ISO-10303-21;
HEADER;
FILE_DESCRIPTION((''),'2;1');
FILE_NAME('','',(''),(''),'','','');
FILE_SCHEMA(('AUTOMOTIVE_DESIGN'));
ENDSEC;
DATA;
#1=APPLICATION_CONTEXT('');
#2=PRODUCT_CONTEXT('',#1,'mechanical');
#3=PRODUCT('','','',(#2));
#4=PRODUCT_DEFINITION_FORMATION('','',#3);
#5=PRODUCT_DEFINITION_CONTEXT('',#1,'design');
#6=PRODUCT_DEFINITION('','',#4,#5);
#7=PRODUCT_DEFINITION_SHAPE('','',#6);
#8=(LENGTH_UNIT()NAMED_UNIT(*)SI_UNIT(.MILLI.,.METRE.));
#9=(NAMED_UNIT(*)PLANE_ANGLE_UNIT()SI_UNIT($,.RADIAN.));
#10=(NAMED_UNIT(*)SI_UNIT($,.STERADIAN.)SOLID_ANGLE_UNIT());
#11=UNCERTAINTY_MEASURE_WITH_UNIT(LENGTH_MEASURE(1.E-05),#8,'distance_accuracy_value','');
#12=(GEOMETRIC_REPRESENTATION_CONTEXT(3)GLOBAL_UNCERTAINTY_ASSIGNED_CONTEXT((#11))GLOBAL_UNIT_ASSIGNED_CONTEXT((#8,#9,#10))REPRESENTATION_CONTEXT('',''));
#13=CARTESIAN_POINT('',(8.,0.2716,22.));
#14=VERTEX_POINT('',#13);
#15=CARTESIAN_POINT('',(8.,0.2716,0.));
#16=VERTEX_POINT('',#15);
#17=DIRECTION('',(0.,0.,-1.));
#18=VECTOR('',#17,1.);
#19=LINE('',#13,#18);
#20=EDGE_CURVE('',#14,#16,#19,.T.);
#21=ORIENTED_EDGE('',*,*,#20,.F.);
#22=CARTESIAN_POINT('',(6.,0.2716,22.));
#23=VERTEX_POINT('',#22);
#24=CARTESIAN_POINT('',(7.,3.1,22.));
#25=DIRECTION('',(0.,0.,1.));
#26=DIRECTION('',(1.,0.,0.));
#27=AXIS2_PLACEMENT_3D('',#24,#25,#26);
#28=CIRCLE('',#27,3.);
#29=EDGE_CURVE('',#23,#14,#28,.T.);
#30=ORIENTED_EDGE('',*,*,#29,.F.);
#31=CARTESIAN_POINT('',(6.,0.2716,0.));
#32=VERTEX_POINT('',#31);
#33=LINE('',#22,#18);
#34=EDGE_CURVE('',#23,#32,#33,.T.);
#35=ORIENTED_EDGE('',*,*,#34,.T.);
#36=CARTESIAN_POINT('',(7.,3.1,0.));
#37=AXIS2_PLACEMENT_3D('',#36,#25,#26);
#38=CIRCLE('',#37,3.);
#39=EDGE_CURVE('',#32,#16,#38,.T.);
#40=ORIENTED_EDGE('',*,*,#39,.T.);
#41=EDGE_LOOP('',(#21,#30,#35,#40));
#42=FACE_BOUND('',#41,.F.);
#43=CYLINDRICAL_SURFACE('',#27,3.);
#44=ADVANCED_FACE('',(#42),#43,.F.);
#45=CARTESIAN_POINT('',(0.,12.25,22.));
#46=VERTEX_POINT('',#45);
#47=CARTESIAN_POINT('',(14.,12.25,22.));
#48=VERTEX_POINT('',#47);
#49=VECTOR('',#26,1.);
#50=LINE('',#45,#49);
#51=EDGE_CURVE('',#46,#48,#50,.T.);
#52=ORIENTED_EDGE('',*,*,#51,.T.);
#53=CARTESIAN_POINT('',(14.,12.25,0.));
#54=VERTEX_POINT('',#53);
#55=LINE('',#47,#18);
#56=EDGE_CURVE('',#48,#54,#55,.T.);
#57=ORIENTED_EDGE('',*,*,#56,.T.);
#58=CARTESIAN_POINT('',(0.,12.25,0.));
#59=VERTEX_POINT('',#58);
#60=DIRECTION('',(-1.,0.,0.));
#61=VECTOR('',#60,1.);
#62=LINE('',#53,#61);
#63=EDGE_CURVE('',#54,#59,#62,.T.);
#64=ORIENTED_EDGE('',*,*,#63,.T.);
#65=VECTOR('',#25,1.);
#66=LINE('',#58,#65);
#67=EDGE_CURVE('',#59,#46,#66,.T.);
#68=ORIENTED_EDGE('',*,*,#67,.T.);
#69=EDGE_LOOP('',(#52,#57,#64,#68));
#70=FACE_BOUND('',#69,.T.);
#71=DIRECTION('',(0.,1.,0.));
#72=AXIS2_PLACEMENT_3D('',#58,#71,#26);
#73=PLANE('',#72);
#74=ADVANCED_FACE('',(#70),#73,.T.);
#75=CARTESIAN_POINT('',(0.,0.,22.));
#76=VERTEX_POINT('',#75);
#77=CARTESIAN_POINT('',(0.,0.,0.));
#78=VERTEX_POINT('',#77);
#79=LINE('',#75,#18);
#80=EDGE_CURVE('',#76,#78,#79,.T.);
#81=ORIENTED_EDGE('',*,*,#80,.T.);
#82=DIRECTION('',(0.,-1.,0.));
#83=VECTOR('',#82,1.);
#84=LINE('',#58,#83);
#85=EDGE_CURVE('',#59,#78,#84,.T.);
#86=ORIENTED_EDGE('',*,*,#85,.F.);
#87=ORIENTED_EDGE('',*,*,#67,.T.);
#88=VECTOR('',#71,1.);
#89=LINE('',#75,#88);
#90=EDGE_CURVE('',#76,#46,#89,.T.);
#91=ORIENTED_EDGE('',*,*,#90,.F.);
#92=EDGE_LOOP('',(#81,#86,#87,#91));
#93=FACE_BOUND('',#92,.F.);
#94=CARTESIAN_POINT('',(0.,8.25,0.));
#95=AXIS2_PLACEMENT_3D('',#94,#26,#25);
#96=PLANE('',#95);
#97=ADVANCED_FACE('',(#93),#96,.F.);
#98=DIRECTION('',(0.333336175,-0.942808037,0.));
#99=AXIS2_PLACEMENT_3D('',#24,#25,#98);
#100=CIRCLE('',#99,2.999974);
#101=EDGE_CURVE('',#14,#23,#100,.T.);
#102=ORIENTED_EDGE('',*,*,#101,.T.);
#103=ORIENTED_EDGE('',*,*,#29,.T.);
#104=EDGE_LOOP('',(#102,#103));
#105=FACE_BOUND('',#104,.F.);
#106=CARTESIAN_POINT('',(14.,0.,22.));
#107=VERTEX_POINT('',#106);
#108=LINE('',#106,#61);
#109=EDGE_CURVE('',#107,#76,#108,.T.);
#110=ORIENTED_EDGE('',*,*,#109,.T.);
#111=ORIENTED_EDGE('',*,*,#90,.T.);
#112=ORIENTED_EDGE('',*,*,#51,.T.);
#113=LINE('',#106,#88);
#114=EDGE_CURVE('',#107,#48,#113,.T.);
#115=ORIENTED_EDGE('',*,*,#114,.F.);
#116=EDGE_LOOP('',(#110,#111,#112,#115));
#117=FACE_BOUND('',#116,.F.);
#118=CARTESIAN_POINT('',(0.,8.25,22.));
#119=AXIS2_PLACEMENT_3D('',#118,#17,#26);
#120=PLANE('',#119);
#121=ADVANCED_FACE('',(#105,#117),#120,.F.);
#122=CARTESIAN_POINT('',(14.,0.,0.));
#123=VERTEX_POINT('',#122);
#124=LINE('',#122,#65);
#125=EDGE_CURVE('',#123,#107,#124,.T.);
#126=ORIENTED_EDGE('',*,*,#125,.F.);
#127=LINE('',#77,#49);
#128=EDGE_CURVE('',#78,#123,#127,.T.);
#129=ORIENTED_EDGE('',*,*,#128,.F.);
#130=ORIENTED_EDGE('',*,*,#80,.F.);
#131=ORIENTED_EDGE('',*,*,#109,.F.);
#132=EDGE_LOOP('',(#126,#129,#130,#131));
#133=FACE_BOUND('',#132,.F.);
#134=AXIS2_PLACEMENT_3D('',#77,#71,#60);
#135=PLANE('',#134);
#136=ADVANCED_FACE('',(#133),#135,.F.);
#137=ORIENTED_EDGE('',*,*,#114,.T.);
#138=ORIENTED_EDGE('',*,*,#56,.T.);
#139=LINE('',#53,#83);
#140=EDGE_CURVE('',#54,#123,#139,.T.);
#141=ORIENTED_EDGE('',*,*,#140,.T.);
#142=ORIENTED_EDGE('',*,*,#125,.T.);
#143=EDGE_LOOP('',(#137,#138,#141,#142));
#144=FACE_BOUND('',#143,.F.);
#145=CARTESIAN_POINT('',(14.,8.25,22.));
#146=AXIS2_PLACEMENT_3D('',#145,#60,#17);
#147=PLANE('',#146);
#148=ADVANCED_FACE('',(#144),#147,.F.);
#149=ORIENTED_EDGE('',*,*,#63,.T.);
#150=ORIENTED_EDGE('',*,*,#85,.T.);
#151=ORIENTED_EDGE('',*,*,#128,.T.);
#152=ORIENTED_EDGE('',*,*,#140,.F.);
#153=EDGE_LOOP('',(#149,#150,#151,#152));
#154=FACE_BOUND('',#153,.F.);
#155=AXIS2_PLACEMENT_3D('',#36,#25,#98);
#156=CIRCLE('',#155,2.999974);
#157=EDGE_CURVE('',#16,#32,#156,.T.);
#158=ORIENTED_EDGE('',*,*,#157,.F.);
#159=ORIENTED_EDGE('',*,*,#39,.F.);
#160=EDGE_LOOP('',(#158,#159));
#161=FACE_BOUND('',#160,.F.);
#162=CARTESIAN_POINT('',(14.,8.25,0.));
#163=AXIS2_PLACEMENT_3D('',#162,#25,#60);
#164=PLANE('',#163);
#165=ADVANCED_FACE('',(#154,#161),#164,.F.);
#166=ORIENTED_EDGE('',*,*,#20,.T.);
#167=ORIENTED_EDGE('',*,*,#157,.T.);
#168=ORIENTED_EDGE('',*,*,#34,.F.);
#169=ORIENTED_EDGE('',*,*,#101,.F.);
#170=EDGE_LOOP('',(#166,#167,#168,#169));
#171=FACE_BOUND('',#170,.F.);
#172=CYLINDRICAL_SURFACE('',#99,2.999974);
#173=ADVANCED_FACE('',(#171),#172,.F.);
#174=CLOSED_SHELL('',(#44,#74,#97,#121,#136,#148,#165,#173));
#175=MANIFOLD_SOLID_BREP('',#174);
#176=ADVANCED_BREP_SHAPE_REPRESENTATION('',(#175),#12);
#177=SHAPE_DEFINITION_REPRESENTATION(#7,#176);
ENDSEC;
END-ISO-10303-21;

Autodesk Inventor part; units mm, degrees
ref_plane "YZ Plane" through (0, 0, 0) normal (1, 0, 0) x (0, 1, 0)
ref_plane "XZ Plane" through (0, 0, 0) normal (0, 1, 0) x (-1, 0, 0)
ref_plane "XY Plane" through (0, 0, 0) normal (0, 0, 1) x (1, 0, 0)
sketch "Szkic1" plane through (0, 0, 0) normal (0, 1, 0) x (-1, 0, 0)
  line L0 (0, 0) -> (-14, 0)
  line L1 (-14, 0) -> (-14, 22)
  line L2 (-14, 22) -> (0, 22)
  line L3 (0, 22) -> (0, 0)
  dimension "d0" = 14
  dimension "d1" = 22
extrude "Wyciągnięcie proste1" add sketch "Szkic1" along normal blind 8.25
sketch "Szkic2" plane through (0, 0, 22) normal (0, 0, 1) x (1, 0, 0)
  circle A0 centre (7, 3.1) radius 1 projected
  arc A1 (8, 0.2716) -> (6, 0.2716) centre (7, 3.1) ccw projected
  line L0 (6, 0.2716) -> (6, 0) projected
  line L1 (6, 0) -> (8, 0) projected
  line L2 (8, 0) -> (8, 0.2716) projected
  circle A2 centre (7, 3.1) radius 3
  point P0 (0, 0)
  point P1 (6, 0.2716)
extrude "Wyciągnięcie proste2" cut sketch "Szkic2" against normal through all contours A0 | A2 A1
sketch "Szkic3" plane through (0, 8.25, 0) normal (0, 1, 0) x (1, 0, 0)
  line L0 (0, -22) -> (14, -22) projected
  line L1 (14, -22) -> (14, 0) projected
  line L2 (14, 0) -> (0, 0) projected
  line L3 (0, 0) -> (0, -22) projected
extrude "Wyciągnięcie proste3" add sketch "Szkic3" along normal blind 4
properties part number "uchwyt silnikow"
